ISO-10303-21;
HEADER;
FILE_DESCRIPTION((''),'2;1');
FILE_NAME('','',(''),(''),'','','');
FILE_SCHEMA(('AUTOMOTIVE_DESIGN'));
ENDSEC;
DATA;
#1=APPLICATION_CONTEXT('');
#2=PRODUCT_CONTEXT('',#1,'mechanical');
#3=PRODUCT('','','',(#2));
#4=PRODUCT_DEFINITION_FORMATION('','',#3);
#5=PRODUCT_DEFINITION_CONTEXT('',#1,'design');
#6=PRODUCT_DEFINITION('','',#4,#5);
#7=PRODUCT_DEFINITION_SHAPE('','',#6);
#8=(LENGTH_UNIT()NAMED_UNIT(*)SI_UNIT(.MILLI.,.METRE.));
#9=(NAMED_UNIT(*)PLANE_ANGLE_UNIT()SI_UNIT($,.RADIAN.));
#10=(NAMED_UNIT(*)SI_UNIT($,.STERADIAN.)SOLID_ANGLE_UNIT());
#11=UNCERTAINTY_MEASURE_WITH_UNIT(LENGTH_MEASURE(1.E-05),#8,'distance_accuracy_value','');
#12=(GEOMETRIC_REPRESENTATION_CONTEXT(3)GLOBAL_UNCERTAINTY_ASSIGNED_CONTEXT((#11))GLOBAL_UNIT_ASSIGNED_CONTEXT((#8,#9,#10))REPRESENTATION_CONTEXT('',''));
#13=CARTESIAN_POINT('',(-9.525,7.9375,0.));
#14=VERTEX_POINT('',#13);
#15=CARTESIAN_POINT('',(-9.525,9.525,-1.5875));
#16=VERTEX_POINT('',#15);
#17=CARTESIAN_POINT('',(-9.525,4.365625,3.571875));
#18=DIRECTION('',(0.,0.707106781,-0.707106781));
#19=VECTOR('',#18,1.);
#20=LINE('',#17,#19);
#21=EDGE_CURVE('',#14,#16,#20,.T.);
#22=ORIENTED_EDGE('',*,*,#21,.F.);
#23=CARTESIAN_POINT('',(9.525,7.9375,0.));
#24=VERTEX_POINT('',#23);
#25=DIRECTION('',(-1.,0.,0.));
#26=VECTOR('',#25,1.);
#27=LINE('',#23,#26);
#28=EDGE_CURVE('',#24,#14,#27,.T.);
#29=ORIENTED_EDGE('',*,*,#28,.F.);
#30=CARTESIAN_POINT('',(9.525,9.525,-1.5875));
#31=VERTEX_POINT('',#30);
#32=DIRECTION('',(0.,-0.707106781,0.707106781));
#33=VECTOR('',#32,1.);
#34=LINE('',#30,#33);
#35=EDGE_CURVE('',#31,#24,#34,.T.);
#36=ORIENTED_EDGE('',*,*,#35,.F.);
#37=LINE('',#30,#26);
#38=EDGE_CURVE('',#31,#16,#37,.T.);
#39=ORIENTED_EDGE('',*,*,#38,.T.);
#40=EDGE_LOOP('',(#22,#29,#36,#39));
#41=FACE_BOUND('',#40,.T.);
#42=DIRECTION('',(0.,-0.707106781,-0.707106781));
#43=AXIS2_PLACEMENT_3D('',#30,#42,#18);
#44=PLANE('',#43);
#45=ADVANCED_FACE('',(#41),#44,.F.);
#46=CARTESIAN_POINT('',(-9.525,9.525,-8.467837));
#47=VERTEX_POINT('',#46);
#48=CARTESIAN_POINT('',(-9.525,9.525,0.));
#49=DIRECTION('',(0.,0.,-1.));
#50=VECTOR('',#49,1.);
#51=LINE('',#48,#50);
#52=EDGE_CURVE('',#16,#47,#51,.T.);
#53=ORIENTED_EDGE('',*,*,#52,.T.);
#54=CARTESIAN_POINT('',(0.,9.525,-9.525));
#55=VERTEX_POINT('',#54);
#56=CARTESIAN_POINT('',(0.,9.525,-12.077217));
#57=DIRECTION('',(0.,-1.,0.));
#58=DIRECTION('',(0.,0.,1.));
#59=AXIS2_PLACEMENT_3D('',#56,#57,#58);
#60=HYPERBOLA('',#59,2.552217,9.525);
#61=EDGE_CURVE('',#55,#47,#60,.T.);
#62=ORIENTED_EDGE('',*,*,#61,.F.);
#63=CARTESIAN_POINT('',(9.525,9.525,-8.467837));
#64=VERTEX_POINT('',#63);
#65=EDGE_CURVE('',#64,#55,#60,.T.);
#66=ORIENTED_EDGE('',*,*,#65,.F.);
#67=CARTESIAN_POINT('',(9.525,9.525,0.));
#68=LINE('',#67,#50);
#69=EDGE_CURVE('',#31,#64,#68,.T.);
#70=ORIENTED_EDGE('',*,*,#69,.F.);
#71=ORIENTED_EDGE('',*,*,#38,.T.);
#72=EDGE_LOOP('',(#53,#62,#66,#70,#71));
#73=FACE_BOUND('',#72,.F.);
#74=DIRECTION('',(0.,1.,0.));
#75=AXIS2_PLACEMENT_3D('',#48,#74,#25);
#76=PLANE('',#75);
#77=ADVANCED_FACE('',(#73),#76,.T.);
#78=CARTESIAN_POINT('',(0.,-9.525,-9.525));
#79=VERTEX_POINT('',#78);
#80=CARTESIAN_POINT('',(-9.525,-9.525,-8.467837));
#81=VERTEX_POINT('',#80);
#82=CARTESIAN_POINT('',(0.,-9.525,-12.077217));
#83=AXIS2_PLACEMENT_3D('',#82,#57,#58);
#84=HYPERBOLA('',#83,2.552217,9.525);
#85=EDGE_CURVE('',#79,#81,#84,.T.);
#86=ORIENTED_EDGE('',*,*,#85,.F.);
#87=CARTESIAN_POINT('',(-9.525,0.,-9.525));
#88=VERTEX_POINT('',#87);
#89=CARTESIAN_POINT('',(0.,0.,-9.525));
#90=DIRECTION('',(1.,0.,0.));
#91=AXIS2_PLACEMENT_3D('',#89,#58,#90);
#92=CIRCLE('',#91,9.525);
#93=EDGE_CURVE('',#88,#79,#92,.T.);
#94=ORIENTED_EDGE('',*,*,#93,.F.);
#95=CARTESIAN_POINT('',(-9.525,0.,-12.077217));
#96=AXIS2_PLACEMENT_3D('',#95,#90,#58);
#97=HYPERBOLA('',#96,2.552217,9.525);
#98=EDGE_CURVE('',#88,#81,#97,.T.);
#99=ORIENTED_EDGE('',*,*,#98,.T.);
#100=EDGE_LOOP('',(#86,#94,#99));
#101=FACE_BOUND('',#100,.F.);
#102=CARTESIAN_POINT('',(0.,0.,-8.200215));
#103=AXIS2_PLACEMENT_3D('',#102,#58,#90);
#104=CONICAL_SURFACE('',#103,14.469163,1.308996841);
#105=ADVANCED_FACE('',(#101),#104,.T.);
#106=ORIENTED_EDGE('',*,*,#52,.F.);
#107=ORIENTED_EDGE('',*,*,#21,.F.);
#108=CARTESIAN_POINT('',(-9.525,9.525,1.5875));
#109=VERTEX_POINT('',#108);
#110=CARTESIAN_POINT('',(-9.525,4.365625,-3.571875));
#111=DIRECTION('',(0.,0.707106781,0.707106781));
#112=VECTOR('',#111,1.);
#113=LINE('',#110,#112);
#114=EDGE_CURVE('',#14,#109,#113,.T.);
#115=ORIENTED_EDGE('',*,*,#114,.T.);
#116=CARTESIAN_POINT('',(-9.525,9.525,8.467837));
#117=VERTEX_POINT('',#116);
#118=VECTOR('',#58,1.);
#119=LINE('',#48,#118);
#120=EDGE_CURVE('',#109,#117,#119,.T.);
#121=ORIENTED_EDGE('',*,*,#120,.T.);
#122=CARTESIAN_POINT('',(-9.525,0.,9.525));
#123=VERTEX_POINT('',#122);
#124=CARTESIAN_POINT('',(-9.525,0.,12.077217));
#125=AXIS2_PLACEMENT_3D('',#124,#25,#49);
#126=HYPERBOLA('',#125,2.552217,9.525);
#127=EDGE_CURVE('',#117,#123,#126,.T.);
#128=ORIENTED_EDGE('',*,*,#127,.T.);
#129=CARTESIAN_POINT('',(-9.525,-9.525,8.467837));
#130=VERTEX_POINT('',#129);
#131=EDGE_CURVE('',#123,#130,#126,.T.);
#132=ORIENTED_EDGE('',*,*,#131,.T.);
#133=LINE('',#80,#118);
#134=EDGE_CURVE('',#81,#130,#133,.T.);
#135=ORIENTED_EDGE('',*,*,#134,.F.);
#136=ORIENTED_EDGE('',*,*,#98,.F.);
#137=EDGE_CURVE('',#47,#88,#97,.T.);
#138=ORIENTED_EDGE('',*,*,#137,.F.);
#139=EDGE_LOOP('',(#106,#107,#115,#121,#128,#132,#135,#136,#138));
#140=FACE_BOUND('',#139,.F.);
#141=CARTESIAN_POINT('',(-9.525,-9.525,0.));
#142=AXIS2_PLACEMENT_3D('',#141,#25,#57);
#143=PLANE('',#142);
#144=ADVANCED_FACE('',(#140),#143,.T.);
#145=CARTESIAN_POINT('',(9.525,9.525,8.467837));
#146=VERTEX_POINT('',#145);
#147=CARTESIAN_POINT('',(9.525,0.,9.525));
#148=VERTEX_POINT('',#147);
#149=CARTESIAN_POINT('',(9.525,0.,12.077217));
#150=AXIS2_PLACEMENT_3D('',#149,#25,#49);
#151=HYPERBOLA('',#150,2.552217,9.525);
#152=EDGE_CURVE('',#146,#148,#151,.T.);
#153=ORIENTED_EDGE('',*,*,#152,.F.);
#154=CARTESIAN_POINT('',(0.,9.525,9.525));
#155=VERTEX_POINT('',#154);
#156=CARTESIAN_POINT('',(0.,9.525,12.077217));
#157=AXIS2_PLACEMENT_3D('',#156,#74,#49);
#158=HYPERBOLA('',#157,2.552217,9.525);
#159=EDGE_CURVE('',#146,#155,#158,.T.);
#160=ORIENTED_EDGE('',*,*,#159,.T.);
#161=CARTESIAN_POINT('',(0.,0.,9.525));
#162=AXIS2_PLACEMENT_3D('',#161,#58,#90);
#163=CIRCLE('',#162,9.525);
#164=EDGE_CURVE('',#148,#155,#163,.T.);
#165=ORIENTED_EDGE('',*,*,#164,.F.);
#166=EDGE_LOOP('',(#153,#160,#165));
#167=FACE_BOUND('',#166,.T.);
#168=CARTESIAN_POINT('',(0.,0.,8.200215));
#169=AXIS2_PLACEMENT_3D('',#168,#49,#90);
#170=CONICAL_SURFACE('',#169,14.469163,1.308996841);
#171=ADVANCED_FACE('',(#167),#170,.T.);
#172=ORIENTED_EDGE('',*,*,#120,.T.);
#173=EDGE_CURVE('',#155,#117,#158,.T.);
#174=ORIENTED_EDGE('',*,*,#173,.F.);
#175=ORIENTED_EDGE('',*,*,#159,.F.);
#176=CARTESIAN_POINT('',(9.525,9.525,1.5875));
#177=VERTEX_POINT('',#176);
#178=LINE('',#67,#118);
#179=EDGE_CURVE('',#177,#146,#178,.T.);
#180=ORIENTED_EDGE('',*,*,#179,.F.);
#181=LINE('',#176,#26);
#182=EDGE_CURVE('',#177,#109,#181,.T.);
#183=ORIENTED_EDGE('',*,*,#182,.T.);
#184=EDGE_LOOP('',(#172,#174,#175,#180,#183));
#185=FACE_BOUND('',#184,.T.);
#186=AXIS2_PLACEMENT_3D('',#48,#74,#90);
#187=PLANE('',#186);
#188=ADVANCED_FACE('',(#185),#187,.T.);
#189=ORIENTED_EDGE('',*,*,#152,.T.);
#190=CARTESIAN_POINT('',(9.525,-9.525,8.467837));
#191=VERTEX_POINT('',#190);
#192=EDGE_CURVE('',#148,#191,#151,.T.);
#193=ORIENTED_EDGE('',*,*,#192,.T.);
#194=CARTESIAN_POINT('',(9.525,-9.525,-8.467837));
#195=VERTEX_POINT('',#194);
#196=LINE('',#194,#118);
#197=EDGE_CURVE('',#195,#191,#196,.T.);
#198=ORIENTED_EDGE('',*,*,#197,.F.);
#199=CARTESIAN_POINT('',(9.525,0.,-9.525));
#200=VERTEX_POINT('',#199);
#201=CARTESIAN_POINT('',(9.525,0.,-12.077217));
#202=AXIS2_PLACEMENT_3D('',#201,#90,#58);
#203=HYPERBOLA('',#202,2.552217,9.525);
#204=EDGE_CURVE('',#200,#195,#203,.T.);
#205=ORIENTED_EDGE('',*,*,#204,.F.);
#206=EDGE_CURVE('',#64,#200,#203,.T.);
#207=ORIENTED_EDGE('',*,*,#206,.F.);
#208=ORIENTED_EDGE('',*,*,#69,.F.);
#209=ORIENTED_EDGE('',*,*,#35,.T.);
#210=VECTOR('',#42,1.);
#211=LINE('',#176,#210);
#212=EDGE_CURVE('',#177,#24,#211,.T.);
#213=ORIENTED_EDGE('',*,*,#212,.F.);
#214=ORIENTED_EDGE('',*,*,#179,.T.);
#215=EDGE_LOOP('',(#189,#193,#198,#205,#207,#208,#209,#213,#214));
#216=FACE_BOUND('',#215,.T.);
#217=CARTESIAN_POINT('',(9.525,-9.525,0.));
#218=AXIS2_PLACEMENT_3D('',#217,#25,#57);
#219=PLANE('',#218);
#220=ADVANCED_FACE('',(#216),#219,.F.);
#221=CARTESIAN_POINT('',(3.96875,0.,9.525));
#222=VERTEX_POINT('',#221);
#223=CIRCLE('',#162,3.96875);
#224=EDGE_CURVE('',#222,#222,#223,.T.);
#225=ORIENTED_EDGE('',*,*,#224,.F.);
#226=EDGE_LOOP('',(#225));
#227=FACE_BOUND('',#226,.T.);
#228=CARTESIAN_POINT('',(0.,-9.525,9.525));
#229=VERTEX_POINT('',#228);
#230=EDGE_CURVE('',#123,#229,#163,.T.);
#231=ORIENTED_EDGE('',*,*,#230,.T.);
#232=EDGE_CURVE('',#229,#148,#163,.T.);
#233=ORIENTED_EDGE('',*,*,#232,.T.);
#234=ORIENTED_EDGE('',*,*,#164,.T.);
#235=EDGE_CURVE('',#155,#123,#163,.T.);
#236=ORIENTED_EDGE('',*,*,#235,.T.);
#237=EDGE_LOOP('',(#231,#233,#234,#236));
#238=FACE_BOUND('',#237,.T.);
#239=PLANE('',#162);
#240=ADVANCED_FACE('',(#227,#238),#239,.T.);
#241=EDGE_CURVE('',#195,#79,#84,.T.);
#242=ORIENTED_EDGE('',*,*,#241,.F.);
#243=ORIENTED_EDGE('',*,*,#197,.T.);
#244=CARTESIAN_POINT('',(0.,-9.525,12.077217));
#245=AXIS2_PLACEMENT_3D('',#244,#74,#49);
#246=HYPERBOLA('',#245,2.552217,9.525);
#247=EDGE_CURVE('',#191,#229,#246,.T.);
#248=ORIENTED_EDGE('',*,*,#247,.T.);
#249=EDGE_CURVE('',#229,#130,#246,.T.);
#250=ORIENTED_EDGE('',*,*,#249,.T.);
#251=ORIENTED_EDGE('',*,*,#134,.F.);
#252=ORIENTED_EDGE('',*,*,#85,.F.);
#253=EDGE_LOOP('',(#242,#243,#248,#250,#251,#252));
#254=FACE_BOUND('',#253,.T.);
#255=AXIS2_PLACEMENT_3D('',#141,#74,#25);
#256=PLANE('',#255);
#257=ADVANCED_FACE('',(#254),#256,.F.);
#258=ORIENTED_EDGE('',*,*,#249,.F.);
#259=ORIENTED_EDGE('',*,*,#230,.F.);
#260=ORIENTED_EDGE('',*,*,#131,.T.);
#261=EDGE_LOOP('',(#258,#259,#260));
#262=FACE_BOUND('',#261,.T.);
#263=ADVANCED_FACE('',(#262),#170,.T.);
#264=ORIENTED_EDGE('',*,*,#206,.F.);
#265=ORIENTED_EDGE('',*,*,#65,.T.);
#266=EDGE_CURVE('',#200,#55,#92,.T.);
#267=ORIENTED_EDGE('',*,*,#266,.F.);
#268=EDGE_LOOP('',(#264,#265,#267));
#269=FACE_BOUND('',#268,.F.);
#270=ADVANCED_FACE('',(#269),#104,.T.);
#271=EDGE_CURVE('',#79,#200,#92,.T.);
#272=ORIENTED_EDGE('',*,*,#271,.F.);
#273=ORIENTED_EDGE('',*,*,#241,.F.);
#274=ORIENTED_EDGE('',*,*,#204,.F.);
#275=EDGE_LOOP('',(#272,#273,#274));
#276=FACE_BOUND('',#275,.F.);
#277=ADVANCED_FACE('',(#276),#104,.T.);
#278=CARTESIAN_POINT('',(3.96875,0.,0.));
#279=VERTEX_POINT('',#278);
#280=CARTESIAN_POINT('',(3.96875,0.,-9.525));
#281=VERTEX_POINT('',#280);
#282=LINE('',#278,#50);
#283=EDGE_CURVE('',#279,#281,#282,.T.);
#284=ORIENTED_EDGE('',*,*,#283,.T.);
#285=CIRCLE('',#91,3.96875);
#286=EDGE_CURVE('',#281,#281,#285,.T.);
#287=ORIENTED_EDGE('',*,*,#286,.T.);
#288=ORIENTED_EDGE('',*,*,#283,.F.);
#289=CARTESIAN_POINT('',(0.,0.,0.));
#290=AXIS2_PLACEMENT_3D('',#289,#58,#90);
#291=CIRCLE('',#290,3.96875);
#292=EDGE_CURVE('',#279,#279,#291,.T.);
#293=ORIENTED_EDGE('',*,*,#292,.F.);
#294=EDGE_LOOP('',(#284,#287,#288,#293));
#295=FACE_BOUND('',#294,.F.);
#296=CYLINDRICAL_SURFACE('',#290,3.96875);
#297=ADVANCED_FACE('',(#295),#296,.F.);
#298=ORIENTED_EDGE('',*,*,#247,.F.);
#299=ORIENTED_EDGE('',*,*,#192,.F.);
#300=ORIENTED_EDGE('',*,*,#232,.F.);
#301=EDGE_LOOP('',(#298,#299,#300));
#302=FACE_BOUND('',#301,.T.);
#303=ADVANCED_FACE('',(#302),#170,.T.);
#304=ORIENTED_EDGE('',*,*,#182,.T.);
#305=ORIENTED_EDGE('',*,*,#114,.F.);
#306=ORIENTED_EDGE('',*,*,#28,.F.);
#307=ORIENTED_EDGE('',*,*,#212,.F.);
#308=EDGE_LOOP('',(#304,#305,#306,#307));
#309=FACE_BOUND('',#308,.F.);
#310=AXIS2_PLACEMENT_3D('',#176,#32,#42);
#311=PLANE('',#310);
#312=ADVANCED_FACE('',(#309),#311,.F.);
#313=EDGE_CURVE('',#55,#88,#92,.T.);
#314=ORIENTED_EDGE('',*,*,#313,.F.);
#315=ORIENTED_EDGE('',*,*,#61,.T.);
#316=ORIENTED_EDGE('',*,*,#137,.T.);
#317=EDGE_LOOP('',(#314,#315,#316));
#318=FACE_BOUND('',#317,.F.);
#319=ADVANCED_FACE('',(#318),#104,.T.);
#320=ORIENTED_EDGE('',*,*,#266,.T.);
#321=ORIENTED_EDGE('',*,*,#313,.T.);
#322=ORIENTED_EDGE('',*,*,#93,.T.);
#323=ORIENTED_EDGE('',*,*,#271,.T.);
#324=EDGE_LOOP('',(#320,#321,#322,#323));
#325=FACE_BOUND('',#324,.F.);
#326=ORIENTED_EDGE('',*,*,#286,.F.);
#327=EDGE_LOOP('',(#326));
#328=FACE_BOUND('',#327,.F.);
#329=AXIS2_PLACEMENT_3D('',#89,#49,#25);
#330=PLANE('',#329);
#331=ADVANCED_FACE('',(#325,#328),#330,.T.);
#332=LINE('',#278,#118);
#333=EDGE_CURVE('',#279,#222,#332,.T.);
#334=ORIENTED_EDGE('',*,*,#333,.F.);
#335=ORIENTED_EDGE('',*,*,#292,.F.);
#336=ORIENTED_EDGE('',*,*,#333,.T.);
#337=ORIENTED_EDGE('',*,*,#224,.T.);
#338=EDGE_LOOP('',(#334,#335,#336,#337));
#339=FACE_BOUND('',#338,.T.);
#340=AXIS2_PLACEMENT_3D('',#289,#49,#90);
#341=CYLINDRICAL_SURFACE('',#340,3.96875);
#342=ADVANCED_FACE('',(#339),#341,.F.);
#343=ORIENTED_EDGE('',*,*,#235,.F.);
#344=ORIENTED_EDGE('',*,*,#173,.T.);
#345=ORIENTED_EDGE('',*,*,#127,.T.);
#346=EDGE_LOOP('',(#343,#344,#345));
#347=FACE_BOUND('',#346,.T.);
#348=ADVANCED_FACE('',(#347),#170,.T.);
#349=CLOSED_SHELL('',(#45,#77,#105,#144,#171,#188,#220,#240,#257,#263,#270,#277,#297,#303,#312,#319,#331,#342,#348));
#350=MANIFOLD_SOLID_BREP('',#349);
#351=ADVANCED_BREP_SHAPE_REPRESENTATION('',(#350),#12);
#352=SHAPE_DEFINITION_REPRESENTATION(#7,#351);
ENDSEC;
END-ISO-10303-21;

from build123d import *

# Parameters (mm, degrees)
F0_W     = 19.05
F0_H     = 19.05
F0_R     = 3.96875
F1_DEPTH = 9.525
F6_DEPTH = 19.051


with BuildPart() as f1:
    # F0 (on Top) → F1 (new body)
    with BuildSketch(Plane.XY):
        Rectangle(F0_W, F0_H)
        Circle(F0_R, mode=Mode.SUBTRACT)
    extrude(amount=F1_DEPTH)

    # F4: sweep along a path in F2
    with BuildLine(Plane.XY.offset(9.525)) as f4_path:
        CenterArc((0, 0), 9.525, 0, 360)
    # F3 (on Right) → F4 (sweep, cut)
    with BuildSketch(Plane.YZ):
        Polygon((-14.469163, 8.200215), (-9.525, 9.525), (-14.469163, 9.525), align=None)
    sweep(path=f4_path.line, mode=Mode.SUBTRACT)

    # F5 (on face) → F6 (cut, through all)
    with BuildSketch(Plane.YZ.offset(9.525)):
        Polygon((7.9375, 0), (9.525, 0), (9.525, 1.5875), align=None)
    extrude(amount=-F6_DEPTH, mode=Mode.SUBTRACT)

    # F7: F1 across face


with BuildPart() as f1_1:
    add(f1.part)
    add(f1.part.mirror(Plane(origin=(0, -0.932452, 0), x_dir=(1, 0, 0), z_dir=(0, 0, -1))))


solid = f1_1.part
